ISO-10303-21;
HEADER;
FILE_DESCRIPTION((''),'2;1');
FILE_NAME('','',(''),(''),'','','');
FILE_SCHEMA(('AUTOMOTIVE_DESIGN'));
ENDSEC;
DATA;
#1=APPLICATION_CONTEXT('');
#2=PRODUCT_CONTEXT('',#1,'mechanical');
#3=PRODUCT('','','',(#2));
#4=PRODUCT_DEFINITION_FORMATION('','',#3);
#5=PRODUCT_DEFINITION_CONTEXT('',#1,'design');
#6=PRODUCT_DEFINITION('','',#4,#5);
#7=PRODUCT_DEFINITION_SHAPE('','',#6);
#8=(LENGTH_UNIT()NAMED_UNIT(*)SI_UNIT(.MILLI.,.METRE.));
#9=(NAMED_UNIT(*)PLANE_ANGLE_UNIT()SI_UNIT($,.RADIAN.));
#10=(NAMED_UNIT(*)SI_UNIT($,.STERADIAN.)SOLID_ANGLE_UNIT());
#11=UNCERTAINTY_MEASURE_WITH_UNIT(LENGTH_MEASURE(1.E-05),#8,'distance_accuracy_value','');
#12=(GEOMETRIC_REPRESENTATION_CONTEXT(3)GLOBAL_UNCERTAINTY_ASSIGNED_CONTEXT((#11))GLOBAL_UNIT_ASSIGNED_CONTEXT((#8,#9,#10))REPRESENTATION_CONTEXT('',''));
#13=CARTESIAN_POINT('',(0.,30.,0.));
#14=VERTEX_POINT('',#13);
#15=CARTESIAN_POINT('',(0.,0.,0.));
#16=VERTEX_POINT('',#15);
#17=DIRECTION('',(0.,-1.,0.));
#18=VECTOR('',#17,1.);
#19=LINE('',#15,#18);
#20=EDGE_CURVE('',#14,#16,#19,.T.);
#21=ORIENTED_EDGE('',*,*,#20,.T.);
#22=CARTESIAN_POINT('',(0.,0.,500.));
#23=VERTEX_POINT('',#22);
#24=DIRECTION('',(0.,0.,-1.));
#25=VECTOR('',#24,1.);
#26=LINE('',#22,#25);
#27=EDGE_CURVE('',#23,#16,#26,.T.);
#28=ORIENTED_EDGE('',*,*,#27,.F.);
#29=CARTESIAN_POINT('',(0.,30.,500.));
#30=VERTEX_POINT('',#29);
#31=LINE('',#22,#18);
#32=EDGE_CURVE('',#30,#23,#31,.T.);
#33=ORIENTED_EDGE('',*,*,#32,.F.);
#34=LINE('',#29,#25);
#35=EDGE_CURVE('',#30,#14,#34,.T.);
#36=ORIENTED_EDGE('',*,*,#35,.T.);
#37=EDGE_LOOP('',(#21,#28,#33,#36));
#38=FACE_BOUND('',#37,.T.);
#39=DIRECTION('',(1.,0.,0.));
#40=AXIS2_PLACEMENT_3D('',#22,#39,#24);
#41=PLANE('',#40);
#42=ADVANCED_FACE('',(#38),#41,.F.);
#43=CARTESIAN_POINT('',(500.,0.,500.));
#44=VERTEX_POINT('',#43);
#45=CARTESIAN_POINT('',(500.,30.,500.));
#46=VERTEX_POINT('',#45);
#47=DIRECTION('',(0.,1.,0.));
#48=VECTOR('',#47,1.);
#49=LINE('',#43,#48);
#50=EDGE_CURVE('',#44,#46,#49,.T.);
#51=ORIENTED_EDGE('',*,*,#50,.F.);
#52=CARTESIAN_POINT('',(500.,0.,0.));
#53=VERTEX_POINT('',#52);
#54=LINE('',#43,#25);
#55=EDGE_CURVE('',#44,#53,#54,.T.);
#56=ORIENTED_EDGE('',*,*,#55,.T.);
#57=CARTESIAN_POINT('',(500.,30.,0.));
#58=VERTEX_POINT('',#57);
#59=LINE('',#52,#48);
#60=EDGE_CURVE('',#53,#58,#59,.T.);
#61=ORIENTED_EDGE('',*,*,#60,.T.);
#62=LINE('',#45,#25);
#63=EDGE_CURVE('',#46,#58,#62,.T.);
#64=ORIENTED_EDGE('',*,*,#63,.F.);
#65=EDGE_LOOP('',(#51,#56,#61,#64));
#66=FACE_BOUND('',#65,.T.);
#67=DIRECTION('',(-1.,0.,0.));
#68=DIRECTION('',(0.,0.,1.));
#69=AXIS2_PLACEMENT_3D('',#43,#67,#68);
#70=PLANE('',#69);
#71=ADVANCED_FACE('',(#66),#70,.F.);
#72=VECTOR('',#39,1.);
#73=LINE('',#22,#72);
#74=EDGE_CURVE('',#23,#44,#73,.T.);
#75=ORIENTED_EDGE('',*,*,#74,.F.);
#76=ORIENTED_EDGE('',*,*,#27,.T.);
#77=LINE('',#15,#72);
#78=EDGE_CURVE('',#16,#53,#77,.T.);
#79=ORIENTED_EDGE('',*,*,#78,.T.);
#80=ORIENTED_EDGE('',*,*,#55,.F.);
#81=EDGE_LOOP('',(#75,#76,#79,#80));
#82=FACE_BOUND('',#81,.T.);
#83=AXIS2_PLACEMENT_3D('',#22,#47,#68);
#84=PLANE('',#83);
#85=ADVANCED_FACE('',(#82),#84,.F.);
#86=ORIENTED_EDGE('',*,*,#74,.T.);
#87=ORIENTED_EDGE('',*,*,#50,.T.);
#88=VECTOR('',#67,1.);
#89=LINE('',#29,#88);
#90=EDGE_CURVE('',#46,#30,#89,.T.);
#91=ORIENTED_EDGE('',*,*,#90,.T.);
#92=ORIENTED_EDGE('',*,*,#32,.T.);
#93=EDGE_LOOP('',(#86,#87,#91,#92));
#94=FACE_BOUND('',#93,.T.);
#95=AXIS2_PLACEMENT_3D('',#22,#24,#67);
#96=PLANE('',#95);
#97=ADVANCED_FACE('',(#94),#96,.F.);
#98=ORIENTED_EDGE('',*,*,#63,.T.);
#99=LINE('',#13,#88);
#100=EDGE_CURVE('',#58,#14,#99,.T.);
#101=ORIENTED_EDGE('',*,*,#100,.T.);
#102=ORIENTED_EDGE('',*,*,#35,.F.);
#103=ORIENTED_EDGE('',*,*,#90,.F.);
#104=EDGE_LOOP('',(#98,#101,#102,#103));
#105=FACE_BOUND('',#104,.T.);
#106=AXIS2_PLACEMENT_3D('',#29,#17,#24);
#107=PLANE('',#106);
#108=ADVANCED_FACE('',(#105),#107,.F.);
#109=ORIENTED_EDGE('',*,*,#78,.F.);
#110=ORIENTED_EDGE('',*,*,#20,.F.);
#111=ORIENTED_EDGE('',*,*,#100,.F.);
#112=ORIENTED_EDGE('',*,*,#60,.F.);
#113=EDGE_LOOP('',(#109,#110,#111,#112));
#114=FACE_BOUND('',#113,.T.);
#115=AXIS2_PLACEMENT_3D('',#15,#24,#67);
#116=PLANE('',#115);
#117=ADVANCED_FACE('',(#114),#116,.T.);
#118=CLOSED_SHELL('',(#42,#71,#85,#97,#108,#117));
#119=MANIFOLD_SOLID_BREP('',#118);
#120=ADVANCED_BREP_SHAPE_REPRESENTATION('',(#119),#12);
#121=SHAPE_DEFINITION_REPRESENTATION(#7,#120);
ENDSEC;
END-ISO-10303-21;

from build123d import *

# Parameters (mm, degrees)
SKETCH1_W     = 500
SKETCH1_H     = 30
PROFILE_DEPTH = 500


with BuildPart() as part:
    # Sketch1 → Profile (new body)
    with BuildSketch(Plane.XY):
        with Locations((250, 15)):
            Rectangle(SKETCH1_W, SKETCH1_H)
    extrude(amount=PROFILE_DEPTH)


solid = part.part
